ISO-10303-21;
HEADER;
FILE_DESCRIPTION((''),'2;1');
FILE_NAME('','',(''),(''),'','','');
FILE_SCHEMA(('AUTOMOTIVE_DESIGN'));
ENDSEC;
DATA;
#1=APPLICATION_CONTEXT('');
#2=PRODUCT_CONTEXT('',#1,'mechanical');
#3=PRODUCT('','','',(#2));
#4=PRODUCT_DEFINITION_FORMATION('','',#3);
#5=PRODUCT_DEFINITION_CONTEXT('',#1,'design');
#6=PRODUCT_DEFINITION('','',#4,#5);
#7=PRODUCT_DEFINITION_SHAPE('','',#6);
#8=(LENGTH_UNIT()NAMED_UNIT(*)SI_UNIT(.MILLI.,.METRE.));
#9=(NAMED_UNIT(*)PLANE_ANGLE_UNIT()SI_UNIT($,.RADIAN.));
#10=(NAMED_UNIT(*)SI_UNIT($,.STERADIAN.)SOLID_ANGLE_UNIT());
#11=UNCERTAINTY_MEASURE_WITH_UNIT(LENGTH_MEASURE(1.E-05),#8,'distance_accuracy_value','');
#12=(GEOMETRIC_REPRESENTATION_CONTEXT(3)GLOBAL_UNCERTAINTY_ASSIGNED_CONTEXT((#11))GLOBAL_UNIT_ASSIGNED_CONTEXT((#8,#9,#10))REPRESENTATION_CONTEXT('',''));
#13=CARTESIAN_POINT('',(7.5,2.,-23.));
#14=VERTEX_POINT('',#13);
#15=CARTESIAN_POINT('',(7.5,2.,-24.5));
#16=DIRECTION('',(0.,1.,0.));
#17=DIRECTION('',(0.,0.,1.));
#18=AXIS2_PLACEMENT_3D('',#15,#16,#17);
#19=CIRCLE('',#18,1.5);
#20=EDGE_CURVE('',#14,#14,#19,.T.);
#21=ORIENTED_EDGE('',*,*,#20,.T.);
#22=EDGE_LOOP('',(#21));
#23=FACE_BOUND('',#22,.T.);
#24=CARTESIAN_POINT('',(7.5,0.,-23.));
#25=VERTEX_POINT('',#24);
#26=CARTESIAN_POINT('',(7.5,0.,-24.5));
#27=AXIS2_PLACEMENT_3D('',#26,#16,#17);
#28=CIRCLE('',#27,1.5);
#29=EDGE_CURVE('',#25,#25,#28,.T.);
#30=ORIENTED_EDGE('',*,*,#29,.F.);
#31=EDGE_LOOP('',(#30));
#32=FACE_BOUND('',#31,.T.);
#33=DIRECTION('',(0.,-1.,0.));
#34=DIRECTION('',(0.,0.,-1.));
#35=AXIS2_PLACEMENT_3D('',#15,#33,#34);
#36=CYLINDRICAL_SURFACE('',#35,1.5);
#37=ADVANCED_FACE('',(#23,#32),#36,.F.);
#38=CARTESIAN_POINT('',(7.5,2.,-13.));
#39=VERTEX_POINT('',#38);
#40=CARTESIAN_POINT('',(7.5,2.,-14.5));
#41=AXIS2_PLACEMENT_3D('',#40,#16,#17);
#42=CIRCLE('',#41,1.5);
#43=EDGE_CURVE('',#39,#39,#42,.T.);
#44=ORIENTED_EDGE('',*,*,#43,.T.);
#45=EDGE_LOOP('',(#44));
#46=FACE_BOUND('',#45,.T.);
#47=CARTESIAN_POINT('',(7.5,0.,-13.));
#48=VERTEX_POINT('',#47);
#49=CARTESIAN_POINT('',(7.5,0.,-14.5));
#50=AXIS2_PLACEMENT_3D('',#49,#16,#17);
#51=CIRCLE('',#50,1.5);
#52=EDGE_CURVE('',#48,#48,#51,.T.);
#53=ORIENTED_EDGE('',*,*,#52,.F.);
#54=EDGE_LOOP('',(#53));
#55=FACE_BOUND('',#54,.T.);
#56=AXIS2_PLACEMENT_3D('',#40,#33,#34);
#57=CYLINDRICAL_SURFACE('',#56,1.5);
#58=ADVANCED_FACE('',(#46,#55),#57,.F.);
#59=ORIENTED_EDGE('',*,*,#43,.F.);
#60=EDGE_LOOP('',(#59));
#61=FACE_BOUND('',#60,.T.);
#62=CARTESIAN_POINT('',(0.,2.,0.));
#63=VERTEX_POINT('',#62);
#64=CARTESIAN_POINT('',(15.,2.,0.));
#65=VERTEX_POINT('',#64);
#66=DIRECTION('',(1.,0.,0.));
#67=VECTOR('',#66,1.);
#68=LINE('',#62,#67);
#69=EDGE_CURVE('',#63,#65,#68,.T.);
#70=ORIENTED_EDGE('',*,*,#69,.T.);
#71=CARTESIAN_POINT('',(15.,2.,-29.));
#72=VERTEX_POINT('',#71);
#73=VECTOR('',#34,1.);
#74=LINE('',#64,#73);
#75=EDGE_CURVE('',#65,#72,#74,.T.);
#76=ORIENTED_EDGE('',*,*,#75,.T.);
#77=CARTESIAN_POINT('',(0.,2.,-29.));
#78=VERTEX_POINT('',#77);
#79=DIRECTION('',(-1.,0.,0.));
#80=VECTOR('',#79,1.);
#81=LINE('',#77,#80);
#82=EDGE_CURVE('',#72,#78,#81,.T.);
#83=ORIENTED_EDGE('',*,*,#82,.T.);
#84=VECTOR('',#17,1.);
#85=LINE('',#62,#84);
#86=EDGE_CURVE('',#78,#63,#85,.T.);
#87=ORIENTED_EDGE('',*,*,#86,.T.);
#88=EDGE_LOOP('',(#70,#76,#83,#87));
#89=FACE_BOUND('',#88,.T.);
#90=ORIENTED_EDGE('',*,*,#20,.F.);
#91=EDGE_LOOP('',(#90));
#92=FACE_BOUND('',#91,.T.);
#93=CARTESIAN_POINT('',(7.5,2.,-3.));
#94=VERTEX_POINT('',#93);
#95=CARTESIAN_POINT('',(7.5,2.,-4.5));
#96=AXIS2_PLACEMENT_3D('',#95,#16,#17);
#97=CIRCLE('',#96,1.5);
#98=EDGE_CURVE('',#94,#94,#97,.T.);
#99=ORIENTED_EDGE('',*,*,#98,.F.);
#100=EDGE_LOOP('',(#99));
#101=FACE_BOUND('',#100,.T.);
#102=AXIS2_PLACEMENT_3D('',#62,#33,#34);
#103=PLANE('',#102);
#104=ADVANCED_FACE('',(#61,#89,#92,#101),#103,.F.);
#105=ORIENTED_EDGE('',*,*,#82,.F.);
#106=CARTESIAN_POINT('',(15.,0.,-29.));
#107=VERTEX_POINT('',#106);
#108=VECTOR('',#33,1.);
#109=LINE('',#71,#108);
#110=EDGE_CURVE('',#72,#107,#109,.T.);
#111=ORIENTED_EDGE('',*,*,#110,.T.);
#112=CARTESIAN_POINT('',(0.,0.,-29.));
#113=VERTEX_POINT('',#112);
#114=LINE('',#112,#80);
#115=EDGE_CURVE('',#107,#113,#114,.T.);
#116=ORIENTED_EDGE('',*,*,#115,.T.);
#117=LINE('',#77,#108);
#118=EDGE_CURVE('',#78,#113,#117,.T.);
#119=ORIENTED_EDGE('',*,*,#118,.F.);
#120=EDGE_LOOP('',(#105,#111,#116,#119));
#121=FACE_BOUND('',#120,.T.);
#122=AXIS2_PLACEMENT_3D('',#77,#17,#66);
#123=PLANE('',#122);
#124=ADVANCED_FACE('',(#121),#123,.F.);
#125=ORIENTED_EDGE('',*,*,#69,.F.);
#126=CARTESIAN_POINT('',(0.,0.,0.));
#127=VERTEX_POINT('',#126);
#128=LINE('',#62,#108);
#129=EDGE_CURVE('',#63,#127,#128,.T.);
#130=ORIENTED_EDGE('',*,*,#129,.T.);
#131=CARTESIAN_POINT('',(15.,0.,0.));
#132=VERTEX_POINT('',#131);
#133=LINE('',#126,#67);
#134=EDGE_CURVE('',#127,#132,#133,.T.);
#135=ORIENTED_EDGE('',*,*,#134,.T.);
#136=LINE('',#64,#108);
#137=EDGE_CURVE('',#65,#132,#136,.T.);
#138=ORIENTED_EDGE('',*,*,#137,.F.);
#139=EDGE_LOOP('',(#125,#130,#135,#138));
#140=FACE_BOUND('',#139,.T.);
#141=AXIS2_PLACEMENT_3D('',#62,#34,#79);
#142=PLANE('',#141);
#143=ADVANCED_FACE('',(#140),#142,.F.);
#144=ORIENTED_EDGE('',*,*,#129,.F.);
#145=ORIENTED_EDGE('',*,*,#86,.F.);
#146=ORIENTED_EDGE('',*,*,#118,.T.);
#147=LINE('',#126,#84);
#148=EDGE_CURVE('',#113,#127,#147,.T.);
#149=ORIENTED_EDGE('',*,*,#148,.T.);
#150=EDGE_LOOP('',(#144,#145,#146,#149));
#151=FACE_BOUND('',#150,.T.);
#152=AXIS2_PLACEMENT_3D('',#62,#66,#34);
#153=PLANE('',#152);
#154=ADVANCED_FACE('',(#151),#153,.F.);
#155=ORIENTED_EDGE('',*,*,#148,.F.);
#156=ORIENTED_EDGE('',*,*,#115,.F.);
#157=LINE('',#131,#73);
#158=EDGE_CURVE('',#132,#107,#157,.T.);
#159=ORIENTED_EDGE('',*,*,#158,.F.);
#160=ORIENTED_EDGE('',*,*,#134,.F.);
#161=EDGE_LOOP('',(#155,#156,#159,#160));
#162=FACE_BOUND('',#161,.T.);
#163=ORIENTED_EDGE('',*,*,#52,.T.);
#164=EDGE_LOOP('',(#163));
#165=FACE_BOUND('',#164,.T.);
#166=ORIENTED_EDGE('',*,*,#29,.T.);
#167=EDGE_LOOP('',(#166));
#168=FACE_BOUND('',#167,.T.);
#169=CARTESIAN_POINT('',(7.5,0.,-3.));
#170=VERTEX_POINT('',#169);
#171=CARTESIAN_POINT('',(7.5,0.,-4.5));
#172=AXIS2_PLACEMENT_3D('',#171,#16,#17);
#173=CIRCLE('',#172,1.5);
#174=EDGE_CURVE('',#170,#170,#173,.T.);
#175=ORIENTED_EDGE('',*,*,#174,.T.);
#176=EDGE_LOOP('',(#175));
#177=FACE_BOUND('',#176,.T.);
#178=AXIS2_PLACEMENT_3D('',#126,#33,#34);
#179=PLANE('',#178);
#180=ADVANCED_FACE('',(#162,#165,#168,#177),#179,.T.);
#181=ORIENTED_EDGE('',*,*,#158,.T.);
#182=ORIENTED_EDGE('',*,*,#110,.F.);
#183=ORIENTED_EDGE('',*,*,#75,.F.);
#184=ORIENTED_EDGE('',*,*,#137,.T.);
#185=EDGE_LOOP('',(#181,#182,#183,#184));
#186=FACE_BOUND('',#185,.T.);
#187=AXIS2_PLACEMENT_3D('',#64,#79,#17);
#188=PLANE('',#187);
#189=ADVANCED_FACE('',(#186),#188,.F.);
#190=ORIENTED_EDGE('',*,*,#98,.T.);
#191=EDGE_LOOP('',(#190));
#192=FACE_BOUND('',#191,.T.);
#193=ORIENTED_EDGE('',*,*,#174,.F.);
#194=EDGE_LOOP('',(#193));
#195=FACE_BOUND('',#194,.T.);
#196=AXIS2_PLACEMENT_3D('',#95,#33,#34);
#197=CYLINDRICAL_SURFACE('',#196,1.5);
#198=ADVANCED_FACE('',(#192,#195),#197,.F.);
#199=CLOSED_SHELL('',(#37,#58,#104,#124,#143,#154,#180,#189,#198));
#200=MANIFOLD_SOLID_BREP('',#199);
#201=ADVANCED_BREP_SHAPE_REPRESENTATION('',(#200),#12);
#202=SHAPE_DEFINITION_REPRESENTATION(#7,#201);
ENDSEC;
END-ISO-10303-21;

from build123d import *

# Parameters (mm, degrees)
SKETCH1_W           = 15
SKETCH1_H           = 29
SKETCH1_R           = 1.5
BOSS_EXTRUDE1_DEPTH = 2


with BuildPart() as part:
    # Sketch1 → Boss-Extrude1 (new body)
    with BuildSketch(Plane(origin=(0, 0, 0), x_dir=(1, 0, 0), z_dir=(0, 1, 0))):
        with Locations((7.5, 14.5)):
            Rectangle(SKETCH1_W, SKETCH1_H)
        with Locations(Location((7.5, 24.5, 0), (0, 0, 270))):
            Circle(SKETCH1_R, mode=Mode.SUBTRACT)
        with Locations(Location((7.5, 14.5, 0), (0, 0, 270))):
            Circle(SKETCH1_R, mode=Mode.SUBTRACT)
        with Locations(Location((7.5, 4.5, 0), (0, 0, 270))):
            Circle(SKETCH1_R, mode=Mode.SUBTRACT)
    extrude(amount=BOSS_EXTRUDE1_DEPTH)


solid = part.part
